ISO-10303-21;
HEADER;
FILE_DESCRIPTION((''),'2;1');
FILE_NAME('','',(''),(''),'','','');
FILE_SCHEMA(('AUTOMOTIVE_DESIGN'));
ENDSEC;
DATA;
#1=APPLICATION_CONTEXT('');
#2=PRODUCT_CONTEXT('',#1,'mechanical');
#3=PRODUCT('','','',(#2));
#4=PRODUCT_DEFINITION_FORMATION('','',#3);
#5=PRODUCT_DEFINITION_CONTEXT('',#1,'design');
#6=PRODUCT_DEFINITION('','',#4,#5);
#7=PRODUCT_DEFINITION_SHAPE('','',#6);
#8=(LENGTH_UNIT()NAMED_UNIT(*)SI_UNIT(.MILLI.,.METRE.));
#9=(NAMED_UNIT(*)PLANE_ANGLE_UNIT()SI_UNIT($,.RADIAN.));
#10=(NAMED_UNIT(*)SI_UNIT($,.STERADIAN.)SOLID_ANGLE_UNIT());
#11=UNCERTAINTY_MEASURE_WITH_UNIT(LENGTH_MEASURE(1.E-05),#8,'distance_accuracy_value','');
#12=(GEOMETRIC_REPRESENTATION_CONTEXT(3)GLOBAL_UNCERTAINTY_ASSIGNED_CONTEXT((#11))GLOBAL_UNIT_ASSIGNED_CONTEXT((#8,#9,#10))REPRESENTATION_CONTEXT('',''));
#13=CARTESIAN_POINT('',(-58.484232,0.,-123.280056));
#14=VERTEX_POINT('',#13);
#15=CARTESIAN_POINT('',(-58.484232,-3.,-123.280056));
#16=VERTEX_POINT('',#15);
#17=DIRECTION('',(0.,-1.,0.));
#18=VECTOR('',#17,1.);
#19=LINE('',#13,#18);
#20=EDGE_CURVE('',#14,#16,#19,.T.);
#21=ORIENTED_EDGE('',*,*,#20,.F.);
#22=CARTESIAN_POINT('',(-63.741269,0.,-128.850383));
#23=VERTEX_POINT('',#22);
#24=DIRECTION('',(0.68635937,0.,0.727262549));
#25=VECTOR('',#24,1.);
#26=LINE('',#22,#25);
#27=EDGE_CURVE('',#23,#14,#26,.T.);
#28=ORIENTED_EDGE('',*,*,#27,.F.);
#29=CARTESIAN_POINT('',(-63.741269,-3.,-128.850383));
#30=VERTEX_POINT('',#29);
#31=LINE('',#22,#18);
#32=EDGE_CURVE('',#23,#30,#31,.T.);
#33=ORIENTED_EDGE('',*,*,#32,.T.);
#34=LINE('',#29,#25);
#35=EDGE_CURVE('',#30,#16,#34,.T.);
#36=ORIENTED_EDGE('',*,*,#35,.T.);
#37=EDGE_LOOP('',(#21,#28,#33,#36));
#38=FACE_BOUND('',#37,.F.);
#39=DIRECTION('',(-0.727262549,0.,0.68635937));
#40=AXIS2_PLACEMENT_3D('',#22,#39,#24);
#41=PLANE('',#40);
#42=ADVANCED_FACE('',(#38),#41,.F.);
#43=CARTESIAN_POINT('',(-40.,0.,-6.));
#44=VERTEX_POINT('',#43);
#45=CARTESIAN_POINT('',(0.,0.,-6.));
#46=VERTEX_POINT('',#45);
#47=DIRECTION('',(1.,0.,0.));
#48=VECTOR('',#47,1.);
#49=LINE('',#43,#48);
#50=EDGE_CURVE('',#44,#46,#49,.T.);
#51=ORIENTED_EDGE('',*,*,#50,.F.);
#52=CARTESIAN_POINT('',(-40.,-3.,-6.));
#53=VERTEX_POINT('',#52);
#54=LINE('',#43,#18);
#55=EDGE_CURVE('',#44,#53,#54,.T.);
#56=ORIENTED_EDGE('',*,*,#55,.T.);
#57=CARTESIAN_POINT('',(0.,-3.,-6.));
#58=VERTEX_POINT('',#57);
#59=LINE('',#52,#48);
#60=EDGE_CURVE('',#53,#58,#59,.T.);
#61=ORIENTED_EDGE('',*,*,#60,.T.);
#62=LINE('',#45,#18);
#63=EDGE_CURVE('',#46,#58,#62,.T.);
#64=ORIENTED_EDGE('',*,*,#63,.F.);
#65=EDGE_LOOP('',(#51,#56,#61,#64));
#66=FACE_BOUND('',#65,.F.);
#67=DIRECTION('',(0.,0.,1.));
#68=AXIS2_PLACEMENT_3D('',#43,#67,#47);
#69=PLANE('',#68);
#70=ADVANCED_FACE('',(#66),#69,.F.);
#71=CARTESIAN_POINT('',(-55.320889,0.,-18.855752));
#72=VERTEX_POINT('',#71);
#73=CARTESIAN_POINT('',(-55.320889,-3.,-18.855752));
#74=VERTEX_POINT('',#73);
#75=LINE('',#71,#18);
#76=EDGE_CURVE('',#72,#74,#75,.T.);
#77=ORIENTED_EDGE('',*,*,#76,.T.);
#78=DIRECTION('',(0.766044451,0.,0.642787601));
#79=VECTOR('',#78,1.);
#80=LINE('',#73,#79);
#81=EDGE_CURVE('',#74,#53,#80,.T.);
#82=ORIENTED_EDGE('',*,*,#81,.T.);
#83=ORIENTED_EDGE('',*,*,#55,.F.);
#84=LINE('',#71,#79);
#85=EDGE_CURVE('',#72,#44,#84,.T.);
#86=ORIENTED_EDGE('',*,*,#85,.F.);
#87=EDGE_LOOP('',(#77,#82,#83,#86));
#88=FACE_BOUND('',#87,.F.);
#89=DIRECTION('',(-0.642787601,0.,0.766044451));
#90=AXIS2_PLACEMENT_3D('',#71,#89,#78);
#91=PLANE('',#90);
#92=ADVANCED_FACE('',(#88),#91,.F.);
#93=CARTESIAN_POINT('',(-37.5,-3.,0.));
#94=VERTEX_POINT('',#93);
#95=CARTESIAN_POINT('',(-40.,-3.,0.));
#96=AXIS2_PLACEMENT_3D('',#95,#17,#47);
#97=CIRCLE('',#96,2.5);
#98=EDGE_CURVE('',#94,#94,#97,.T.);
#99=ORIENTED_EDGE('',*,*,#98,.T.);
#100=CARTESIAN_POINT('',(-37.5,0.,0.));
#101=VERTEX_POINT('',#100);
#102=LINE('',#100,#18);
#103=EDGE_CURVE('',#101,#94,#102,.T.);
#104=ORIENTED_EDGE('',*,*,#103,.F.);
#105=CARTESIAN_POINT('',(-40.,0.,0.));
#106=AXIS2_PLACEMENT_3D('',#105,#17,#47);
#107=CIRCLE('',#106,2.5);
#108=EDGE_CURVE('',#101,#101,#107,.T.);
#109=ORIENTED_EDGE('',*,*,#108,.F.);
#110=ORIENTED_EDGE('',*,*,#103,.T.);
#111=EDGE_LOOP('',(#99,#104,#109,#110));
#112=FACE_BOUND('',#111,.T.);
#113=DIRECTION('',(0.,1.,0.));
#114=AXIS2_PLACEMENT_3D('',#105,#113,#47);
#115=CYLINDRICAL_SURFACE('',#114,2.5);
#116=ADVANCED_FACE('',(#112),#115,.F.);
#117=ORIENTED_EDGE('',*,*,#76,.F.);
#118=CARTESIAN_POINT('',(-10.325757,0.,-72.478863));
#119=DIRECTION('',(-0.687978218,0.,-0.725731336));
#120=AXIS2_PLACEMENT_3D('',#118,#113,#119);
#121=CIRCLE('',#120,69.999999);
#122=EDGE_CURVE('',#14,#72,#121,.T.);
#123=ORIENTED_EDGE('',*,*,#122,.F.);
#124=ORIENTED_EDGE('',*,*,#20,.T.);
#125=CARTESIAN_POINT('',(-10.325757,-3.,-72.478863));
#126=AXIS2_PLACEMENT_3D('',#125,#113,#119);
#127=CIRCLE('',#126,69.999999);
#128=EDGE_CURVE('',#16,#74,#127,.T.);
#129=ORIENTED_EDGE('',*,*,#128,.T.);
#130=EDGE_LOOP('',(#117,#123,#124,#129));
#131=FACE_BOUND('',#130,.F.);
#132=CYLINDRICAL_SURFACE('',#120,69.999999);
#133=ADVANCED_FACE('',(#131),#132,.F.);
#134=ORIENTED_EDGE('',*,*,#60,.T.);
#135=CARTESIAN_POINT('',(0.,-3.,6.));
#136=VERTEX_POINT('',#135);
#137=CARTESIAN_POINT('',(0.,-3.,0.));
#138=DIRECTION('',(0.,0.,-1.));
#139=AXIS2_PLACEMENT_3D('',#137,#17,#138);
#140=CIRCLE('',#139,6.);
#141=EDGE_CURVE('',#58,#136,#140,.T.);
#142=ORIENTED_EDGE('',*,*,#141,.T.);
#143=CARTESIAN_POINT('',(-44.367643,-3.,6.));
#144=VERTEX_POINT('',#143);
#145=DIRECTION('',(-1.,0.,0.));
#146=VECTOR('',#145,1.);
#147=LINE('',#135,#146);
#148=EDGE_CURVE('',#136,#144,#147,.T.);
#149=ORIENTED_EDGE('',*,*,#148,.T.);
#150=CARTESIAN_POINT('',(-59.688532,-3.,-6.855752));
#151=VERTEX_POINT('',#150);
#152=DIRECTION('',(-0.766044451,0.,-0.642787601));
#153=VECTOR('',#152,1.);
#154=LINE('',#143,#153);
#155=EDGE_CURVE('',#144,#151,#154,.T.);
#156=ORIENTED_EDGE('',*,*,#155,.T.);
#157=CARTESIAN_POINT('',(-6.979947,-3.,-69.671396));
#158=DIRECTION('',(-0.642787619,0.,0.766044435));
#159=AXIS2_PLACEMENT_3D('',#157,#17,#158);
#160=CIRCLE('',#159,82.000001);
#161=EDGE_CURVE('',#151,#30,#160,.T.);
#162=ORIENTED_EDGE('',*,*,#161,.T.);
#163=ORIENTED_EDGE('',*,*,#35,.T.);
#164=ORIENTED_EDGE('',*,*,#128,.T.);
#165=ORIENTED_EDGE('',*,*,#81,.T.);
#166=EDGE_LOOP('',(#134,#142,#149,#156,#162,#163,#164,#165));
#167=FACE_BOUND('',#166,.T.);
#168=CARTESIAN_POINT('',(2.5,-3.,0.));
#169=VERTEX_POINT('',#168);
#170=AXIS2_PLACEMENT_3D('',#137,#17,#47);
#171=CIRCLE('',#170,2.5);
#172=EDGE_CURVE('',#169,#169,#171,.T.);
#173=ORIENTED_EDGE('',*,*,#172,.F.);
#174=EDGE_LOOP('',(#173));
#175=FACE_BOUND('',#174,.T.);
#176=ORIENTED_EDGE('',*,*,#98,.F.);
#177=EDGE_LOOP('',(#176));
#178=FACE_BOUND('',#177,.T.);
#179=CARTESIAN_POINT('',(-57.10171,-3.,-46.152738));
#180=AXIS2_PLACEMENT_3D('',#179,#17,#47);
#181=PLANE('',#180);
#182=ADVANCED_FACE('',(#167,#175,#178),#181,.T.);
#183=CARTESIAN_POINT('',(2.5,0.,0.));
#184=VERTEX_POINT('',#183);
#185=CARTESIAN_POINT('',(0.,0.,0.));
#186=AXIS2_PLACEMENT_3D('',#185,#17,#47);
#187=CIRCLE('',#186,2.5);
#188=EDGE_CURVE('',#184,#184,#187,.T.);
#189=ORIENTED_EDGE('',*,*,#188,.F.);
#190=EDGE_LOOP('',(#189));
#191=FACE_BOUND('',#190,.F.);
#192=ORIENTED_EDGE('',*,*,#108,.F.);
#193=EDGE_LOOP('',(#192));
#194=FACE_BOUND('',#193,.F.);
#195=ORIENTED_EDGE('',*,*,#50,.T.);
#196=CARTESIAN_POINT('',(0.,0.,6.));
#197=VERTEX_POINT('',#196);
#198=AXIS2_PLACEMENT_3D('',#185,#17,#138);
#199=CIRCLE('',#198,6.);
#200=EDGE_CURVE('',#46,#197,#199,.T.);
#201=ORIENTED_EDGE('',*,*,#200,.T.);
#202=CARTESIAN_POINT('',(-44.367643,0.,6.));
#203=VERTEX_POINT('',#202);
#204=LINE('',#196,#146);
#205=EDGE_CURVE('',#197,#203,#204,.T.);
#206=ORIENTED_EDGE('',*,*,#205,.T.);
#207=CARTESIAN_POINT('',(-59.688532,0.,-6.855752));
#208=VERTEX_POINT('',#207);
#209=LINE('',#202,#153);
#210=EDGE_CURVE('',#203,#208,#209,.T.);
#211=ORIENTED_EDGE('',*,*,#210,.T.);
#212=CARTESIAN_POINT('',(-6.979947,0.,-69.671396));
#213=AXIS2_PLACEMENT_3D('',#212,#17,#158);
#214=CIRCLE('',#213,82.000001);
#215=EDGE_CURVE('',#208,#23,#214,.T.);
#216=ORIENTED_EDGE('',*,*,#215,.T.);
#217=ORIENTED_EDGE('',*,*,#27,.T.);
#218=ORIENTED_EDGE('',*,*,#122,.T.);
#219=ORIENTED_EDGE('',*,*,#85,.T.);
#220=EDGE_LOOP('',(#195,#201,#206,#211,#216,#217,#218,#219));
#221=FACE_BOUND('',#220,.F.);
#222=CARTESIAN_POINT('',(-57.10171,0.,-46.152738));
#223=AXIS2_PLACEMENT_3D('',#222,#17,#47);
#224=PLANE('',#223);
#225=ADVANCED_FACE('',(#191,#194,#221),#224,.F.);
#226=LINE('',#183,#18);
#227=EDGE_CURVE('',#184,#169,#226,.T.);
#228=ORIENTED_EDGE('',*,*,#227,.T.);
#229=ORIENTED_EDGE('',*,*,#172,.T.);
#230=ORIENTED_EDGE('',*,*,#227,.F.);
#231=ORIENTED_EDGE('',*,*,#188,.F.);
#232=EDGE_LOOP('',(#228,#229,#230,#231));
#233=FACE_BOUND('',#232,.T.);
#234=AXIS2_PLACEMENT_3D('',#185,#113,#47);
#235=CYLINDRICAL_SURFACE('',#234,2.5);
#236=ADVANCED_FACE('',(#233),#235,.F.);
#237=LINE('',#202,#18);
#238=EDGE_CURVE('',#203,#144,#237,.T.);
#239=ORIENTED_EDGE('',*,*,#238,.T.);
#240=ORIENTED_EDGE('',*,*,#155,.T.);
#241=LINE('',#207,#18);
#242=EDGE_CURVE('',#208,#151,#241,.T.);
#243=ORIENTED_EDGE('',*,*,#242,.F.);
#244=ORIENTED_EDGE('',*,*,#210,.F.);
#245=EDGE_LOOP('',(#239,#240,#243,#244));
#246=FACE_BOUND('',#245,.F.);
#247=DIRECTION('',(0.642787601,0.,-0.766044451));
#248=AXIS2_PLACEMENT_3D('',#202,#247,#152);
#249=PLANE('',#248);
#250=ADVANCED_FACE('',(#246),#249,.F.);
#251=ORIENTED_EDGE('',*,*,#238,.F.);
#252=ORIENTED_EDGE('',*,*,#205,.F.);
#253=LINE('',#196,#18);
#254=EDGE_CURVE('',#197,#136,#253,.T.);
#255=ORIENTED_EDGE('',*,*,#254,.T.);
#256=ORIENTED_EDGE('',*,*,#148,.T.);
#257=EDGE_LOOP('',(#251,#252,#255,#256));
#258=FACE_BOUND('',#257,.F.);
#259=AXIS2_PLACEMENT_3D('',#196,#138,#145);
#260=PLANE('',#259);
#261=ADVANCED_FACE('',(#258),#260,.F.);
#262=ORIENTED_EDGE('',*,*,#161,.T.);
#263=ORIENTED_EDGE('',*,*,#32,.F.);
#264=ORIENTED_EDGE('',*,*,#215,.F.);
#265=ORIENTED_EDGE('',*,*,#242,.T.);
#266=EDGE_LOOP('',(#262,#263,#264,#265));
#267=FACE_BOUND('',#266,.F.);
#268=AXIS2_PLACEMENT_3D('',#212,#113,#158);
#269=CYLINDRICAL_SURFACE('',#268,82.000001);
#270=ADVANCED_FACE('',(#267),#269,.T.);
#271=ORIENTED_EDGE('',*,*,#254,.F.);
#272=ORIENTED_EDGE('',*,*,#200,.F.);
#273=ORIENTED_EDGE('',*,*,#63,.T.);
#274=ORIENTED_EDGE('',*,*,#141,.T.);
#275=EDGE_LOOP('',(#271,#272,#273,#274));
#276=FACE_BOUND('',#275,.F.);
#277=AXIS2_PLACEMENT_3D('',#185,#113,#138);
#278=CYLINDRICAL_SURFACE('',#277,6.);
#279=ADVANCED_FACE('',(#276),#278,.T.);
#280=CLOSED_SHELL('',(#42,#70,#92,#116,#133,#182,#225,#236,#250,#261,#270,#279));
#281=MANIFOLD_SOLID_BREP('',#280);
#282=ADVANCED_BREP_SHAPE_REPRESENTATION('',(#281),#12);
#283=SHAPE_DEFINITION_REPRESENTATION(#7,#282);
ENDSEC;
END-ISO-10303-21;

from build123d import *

# Parameters (mm, degrees)
F0_R     = 2.5
F1_DEPTH = 3


with BuildPart() as f1:
    # F0 (on Front) → F1 (new body)
    with BuildSketch(Plane.XZ):
        with BuildLine():
            Line((-40, -6), (0, -6))
            ThreePointArc((0, -6), (6, 0), (0, 6))
            Line((0, 6), (-44.367643, 6))
            Line((-44.367643, 6), (-59.688532, -6.855752))
            ThreePointArc((-59.688532, -6.855752), (-88.934737, -66.948807), (-63.741269, -128.850383))
            Line((-63.741269, -128.850383), (-58.484232, -123.280056))
            ThreePointArc((-58.484232, -123.280056), (-80.29366, -70.359314), (-55.320889, -18.855752))
            Line((-55.320889, -18.855752), (-40, -6))
        make_face()
        with Locations((-40, 0)):
            Circle(F0_R, mode=Mode.SUBTRACT)
        Circle(F0_R, mode=Mode.SUBTRACT)
    extrude(amount=F1_DEPTH)


solid = f1.part
